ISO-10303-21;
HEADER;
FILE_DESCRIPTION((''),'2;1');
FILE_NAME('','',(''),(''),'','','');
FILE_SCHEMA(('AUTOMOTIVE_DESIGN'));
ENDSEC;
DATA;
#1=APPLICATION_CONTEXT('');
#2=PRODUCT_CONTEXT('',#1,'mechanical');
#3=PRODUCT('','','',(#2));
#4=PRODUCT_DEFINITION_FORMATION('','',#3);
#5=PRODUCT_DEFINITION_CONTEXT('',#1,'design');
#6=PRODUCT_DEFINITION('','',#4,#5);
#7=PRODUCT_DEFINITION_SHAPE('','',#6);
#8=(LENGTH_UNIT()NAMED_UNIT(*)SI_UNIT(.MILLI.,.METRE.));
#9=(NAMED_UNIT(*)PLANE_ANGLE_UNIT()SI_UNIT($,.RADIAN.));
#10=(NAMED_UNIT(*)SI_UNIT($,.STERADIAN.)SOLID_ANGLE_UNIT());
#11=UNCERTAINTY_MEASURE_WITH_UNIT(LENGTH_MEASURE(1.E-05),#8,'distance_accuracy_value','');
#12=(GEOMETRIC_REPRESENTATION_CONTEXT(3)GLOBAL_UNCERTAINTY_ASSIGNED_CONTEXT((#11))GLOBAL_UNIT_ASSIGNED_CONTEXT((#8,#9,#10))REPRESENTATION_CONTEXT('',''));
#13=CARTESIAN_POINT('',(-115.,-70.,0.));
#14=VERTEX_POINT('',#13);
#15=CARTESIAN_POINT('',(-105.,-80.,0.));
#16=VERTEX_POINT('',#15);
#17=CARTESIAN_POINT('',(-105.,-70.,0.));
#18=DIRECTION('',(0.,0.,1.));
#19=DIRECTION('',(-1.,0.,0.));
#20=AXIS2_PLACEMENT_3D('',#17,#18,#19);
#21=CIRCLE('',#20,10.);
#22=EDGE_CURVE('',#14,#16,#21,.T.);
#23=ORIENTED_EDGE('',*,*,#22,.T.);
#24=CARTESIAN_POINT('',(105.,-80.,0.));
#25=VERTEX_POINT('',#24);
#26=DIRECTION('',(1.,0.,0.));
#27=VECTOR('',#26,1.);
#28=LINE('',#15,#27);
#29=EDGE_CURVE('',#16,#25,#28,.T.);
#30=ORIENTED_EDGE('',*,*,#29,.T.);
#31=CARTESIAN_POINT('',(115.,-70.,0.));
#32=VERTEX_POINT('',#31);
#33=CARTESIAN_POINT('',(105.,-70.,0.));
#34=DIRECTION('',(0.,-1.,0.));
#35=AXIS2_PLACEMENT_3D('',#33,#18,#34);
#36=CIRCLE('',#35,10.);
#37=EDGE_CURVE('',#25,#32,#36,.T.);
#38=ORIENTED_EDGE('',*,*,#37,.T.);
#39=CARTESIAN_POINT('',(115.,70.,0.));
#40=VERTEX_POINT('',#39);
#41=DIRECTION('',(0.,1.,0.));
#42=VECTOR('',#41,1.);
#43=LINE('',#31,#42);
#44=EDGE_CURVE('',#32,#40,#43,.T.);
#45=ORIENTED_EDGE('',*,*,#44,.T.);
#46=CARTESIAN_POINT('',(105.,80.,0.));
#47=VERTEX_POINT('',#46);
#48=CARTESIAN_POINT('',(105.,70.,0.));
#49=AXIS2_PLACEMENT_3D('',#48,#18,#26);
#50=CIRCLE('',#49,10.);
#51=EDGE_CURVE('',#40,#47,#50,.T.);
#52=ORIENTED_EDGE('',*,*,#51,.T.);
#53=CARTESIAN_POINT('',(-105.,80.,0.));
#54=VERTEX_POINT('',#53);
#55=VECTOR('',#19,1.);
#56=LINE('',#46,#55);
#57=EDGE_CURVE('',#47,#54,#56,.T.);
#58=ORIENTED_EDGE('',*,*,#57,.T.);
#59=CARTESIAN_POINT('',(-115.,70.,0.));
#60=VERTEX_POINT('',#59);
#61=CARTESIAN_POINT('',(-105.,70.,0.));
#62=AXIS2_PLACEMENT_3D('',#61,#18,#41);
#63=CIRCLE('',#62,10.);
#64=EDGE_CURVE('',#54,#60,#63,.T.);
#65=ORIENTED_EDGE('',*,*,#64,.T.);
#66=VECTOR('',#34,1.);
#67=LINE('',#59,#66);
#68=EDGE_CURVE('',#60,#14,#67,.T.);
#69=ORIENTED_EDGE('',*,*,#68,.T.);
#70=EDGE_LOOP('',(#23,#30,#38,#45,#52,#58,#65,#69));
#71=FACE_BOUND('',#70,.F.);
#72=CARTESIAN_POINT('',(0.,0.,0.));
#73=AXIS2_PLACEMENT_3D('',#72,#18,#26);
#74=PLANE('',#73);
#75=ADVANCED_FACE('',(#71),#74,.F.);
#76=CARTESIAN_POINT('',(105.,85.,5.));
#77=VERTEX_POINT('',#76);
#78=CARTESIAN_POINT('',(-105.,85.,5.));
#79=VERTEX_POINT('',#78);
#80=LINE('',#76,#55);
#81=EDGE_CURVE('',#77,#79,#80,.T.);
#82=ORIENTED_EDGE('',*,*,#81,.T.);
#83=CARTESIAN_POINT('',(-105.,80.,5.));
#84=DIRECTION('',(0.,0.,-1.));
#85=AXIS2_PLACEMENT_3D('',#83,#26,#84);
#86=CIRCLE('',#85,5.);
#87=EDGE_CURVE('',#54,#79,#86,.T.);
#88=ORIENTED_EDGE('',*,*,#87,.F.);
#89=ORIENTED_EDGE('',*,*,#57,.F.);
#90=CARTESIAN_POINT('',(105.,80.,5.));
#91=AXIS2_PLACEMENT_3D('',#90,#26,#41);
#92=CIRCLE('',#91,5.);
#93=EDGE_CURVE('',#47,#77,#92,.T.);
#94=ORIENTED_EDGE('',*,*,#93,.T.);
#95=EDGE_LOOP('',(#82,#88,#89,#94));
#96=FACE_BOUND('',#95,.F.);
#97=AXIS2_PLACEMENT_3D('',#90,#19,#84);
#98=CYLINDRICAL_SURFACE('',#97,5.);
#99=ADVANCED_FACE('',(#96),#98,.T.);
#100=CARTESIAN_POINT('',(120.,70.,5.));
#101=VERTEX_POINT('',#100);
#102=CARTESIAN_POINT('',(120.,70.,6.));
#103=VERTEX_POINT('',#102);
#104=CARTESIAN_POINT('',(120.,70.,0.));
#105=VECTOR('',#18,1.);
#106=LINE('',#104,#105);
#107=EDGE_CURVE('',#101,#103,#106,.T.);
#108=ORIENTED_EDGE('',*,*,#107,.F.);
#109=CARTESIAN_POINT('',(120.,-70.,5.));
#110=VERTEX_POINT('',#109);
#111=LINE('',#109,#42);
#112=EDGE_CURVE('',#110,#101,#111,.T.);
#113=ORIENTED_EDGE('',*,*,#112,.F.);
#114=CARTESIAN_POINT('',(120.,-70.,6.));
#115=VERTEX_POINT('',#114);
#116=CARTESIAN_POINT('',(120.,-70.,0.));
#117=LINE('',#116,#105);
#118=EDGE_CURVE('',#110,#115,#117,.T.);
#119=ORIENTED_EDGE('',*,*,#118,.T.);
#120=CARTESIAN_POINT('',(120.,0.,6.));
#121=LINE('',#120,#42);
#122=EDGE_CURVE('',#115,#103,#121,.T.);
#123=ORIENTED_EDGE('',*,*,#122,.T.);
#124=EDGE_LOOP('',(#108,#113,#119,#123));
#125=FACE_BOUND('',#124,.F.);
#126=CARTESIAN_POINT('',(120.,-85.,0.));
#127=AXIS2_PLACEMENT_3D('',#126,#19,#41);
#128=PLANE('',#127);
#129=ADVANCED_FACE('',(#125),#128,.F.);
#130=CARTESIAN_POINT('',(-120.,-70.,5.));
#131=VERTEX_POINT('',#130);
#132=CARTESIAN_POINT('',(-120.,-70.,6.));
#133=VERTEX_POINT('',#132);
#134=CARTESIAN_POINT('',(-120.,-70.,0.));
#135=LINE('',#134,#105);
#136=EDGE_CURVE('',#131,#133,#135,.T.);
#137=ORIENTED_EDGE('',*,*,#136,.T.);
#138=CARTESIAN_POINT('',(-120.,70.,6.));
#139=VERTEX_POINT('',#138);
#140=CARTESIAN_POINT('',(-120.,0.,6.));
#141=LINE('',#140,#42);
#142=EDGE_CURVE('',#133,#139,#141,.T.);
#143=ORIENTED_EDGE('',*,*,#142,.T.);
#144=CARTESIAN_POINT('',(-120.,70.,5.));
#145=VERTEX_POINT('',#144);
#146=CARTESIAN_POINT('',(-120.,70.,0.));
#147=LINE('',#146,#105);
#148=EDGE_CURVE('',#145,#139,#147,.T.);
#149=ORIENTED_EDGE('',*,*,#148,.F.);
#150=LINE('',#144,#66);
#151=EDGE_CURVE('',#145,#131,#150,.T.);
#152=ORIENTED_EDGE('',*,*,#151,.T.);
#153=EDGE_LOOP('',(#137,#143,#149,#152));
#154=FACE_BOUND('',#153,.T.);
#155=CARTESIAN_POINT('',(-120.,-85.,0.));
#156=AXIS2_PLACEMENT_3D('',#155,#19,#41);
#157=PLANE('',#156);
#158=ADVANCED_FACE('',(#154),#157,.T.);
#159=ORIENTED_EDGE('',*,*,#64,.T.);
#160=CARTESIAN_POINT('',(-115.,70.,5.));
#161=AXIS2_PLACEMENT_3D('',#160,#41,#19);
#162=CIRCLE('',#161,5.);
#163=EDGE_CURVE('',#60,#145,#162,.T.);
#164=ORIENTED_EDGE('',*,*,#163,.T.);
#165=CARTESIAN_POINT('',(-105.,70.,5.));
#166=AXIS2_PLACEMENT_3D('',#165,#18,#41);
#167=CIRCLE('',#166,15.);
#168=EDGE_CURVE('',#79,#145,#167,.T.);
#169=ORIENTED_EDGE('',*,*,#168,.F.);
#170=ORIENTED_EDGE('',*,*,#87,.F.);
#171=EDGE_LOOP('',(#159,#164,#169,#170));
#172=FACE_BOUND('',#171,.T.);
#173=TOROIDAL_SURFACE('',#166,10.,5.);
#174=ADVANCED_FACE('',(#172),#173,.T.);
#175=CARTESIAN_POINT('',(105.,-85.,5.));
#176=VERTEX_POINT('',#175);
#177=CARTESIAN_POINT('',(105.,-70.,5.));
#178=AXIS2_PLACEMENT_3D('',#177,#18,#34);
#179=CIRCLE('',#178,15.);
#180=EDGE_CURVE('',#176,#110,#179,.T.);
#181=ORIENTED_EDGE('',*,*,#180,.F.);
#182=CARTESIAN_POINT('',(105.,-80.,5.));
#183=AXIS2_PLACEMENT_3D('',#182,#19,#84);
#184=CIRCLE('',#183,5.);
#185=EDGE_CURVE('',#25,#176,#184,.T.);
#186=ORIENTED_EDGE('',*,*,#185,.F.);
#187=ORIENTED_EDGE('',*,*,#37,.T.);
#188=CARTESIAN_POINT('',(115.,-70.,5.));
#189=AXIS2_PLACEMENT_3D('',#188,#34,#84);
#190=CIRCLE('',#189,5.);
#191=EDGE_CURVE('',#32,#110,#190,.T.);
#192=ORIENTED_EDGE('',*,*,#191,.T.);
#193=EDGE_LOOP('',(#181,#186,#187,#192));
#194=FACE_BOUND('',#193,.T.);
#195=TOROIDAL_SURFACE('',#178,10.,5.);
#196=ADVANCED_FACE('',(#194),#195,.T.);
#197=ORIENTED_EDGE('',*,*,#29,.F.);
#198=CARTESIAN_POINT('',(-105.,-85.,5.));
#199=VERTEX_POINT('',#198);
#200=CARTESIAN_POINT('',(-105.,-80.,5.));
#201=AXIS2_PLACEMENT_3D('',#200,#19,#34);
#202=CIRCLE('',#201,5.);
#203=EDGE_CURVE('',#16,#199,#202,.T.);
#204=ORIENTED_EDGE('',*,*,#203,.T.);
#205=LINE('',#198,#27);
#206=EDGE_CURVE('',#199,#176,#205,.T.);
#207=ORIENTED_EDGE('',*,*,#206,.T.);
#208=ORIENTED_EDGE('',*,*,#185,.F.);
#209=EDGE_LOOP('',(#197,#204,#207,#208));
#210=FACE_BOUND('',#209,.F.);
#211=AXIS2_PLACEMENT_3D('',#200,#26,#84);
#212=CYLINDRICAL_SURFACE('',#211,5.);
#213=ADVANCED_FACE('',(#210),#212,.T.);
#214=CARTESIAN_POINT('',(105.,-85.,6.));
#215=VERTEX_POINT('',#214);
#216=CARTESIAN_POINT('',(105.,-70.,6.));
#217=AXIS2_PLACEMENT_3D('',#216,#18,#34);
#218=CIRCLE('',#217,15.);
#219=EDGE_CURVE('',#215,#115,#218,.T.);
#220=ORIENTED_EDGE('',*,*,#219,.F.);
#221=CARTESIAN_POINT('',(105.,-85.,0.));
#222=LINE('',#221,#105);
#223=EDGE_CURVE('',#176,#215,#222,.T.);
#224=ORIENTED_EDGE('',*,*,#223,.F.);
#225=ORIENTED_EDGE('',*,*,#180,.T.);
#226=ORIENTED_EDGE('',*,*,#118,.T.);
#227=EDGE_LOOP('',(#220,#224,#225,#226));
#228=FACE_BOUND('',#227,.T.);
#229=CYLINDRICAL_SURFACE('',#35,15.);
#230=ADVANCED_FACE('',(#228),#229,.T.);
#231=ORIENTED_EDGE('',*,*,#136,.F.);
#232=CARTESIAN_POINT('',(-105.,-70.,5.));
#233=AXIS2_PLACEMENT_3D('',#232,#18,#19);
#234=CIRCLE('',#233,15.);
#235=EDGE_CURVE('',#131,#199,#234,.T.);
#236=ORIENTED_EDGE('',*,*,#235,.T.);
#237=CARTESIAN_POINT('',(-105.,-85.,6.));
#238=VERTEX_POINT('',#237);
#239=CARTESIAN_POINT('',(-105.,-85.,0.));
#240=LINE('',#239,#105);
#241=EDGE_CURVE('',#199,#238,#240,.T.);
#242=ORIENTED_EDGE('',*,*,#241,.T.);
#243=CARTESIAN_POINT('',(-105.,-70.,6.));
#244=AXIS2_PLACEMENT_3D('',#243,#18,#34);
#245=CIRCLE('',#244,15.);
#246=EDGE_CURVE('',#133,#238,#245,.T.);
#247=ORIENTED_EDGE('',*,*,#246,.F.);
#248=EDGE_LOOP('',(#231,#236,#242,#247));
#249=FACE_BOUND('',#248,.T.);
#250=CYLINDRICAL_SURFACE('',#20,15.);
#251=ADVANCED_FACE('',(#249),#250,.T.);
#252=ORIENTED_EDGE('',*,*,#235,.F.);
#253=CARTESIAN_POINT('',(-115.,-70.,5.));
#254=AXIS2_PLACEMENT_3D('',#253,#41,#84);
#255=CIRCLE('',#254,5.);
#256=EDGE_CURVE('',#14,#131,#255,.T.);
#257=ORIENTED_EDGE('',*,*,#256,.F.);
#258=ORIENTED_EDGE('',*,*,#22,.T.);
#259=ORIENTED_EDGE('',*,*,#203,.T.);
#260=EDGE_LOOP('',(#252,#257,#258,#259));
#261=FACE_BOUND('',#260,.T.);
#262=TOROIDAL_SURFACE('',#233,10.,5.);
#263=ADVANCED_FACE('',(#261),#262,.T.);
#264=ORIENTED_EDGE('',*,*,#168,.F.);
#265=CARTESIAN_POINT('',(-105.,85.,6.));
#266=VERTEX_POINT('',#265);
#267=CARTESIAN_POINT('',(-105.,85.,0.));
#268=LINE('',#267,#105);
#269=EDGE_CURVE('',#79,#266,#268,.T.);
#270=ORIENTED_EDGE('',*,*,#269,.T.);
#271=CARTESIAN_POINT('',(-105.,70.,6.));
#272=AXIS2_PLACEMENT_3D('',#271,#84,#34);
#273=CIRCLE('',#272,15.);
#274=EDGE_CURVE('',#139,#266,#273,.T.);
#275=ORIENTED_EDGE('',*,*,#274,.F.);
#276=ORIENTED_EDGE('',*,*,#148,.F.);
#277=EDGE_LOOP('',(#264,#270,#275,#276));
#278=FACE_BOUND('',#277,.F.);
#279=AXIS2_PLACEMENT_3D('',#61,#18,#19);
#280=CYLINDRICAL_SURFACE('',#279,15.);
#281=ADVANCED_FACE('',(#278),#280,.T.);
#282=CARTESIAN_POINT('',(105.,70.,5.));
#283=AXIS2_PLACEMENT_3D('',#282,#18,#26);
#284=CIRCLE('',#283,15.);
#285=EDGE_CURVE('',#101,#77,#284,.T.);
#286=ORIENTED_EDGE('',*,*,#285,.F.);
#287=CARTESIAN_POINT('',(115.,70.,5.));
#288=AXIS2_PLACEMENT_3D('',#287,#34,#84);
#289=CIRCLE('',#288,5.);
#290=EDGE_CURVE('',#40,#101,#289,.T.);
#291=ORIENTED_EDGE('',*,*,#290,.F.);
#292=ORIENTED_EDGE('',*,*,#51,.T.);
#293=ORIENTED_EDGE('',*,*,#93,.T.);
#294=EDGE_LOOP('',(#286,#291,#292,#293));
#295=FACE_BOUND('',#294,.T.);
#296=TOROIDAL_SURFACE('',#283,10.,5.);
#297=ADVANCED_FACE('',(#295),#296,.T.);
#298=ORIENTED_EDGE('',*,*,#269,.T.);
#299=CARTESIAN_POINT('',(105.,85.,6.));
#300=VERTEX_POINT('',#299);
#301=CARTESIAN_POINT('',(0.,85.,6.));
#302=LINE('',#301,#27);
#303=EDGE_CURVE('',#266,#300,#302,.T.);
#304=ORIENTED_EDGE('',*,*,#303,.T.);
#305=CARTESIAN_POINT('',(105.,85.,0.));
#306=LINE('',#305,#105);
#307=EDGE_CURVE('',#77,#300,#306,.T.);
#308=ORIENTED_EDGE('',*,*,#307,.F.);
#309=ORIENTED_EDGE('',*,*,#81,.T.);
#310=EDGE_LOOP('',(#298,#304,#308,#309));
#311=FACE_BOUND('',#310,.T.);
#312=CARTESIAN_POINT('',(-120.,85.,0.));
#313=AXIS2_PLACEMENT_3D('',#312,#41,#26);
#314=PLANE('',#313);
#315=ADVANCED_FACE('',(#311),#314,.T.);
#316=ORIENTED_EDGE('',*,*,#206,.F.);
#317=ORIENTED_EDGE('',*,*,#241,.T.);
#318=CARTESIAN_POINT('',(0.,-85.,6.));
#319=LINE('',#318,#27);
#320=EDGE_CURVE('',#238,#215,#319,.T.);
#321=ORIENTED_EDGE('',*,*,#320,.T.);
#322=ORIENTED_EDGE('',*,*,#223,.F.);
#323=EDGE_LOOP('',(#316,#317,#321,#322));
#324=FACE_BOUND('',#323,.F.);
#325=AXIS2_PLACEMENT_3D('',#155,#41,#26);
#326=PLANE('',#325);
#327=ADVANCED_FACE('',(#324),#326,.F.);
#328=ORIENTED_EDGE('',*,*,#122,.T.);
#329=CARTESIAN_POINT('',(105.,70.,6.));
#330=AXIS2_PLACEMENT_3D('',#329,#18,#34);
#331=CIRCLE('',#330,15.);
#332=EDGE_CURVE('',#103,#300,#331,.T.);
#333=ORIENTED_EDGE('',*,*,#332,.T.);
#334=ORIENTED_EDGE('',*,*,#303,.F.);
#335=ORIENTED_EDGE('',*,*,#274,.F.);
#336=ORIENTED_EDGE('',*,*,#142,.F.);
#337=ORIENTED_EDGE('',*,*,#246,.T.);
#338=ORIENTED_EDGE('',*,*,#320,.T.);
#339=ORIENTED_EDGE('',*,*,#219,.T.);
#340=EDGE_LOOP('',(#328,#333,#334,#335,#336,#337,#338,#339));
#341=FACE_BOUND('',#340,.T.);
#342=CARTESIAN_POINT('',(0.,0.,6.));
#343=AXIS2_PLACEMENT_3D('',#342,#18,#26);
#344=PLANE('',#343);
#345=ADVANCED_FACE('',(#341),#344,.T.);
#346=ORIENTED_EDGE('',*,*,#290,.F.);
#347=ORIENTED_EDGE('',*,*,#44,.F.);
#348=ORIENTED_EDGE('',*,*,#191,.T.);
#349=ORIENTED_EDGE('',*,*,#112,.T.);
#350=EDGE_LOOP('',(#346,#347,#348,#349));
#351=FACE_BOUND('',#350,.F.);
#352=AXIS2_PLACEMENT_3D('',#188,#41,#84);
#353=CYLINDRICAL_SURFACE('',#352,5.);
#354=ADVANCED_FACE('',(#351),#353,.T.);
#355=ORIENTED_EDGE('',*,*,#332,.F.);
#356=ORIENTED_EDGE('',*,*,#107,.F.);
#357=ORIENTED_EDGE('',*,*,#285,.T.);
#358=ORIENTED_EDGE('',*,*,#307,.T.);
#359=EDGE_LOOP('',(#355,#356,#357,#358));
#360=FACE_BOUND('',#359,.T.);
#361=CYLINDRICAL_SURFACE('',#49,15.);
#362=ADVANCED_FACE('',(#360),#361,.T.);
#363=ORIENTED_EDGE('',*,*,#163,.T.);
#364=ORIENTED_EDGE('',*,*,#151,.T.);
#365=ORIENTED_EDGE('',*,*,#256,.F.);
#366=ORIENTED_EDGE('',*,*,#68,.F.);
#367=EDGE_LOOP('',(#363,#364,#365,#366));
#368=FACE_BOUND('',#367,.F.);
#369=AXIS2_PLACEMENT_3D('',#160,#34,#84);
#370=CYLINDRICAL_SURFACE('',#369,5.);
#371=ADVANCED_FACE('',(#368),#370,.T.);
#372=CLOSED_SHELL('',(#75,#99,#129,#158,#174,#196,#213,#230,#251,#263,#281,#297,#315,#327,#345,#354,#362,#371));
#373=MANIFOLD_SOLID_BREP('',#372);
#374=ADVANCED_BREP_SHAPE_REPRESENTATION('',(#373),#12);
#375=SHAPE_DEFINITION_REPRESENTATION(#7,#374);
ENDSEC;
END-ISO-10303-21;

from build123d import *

# Parameters (mm, degrees)
F0_W     = 240
F0_H     = 170
F1_DEPTH = 6
F2_R     = 15
F3_R     = 5


with BuildPart() as f1:
    # F0 (on Top) → F1 (new body)
    with BuildSketch(Plane.XY):
        Rectangle(F0_W, F0_H)
    extrude(amount=F1_DEPTH)

    # F2
    f2_edges = [f1.edges().sort_by_distance(p)[0] for p in [
        (-120, -85, 3),
        (-120, 85, 3),
        (120, 85, 3),
        (120, -85, 3),
    ]]
    fillet(f2_edges, radius=F2_R)

    # F3
    f3_edges = [f1.edges().sort_by_distance(p)[0] for p in [
        (120, 0, 0),
        (115.606602, -80.606602, 0),
        (115.606602, 80.606602, 0),
        (0, -85, 0),
        (0, 85, 0),
        (-115.606602, -80.606602, 0),
        (-115.606602, 80.606602, 0),
        (-120, 0, 0),
    ]]
    fillet(f3_edges, radius=F3_R)


solid = f1.part
